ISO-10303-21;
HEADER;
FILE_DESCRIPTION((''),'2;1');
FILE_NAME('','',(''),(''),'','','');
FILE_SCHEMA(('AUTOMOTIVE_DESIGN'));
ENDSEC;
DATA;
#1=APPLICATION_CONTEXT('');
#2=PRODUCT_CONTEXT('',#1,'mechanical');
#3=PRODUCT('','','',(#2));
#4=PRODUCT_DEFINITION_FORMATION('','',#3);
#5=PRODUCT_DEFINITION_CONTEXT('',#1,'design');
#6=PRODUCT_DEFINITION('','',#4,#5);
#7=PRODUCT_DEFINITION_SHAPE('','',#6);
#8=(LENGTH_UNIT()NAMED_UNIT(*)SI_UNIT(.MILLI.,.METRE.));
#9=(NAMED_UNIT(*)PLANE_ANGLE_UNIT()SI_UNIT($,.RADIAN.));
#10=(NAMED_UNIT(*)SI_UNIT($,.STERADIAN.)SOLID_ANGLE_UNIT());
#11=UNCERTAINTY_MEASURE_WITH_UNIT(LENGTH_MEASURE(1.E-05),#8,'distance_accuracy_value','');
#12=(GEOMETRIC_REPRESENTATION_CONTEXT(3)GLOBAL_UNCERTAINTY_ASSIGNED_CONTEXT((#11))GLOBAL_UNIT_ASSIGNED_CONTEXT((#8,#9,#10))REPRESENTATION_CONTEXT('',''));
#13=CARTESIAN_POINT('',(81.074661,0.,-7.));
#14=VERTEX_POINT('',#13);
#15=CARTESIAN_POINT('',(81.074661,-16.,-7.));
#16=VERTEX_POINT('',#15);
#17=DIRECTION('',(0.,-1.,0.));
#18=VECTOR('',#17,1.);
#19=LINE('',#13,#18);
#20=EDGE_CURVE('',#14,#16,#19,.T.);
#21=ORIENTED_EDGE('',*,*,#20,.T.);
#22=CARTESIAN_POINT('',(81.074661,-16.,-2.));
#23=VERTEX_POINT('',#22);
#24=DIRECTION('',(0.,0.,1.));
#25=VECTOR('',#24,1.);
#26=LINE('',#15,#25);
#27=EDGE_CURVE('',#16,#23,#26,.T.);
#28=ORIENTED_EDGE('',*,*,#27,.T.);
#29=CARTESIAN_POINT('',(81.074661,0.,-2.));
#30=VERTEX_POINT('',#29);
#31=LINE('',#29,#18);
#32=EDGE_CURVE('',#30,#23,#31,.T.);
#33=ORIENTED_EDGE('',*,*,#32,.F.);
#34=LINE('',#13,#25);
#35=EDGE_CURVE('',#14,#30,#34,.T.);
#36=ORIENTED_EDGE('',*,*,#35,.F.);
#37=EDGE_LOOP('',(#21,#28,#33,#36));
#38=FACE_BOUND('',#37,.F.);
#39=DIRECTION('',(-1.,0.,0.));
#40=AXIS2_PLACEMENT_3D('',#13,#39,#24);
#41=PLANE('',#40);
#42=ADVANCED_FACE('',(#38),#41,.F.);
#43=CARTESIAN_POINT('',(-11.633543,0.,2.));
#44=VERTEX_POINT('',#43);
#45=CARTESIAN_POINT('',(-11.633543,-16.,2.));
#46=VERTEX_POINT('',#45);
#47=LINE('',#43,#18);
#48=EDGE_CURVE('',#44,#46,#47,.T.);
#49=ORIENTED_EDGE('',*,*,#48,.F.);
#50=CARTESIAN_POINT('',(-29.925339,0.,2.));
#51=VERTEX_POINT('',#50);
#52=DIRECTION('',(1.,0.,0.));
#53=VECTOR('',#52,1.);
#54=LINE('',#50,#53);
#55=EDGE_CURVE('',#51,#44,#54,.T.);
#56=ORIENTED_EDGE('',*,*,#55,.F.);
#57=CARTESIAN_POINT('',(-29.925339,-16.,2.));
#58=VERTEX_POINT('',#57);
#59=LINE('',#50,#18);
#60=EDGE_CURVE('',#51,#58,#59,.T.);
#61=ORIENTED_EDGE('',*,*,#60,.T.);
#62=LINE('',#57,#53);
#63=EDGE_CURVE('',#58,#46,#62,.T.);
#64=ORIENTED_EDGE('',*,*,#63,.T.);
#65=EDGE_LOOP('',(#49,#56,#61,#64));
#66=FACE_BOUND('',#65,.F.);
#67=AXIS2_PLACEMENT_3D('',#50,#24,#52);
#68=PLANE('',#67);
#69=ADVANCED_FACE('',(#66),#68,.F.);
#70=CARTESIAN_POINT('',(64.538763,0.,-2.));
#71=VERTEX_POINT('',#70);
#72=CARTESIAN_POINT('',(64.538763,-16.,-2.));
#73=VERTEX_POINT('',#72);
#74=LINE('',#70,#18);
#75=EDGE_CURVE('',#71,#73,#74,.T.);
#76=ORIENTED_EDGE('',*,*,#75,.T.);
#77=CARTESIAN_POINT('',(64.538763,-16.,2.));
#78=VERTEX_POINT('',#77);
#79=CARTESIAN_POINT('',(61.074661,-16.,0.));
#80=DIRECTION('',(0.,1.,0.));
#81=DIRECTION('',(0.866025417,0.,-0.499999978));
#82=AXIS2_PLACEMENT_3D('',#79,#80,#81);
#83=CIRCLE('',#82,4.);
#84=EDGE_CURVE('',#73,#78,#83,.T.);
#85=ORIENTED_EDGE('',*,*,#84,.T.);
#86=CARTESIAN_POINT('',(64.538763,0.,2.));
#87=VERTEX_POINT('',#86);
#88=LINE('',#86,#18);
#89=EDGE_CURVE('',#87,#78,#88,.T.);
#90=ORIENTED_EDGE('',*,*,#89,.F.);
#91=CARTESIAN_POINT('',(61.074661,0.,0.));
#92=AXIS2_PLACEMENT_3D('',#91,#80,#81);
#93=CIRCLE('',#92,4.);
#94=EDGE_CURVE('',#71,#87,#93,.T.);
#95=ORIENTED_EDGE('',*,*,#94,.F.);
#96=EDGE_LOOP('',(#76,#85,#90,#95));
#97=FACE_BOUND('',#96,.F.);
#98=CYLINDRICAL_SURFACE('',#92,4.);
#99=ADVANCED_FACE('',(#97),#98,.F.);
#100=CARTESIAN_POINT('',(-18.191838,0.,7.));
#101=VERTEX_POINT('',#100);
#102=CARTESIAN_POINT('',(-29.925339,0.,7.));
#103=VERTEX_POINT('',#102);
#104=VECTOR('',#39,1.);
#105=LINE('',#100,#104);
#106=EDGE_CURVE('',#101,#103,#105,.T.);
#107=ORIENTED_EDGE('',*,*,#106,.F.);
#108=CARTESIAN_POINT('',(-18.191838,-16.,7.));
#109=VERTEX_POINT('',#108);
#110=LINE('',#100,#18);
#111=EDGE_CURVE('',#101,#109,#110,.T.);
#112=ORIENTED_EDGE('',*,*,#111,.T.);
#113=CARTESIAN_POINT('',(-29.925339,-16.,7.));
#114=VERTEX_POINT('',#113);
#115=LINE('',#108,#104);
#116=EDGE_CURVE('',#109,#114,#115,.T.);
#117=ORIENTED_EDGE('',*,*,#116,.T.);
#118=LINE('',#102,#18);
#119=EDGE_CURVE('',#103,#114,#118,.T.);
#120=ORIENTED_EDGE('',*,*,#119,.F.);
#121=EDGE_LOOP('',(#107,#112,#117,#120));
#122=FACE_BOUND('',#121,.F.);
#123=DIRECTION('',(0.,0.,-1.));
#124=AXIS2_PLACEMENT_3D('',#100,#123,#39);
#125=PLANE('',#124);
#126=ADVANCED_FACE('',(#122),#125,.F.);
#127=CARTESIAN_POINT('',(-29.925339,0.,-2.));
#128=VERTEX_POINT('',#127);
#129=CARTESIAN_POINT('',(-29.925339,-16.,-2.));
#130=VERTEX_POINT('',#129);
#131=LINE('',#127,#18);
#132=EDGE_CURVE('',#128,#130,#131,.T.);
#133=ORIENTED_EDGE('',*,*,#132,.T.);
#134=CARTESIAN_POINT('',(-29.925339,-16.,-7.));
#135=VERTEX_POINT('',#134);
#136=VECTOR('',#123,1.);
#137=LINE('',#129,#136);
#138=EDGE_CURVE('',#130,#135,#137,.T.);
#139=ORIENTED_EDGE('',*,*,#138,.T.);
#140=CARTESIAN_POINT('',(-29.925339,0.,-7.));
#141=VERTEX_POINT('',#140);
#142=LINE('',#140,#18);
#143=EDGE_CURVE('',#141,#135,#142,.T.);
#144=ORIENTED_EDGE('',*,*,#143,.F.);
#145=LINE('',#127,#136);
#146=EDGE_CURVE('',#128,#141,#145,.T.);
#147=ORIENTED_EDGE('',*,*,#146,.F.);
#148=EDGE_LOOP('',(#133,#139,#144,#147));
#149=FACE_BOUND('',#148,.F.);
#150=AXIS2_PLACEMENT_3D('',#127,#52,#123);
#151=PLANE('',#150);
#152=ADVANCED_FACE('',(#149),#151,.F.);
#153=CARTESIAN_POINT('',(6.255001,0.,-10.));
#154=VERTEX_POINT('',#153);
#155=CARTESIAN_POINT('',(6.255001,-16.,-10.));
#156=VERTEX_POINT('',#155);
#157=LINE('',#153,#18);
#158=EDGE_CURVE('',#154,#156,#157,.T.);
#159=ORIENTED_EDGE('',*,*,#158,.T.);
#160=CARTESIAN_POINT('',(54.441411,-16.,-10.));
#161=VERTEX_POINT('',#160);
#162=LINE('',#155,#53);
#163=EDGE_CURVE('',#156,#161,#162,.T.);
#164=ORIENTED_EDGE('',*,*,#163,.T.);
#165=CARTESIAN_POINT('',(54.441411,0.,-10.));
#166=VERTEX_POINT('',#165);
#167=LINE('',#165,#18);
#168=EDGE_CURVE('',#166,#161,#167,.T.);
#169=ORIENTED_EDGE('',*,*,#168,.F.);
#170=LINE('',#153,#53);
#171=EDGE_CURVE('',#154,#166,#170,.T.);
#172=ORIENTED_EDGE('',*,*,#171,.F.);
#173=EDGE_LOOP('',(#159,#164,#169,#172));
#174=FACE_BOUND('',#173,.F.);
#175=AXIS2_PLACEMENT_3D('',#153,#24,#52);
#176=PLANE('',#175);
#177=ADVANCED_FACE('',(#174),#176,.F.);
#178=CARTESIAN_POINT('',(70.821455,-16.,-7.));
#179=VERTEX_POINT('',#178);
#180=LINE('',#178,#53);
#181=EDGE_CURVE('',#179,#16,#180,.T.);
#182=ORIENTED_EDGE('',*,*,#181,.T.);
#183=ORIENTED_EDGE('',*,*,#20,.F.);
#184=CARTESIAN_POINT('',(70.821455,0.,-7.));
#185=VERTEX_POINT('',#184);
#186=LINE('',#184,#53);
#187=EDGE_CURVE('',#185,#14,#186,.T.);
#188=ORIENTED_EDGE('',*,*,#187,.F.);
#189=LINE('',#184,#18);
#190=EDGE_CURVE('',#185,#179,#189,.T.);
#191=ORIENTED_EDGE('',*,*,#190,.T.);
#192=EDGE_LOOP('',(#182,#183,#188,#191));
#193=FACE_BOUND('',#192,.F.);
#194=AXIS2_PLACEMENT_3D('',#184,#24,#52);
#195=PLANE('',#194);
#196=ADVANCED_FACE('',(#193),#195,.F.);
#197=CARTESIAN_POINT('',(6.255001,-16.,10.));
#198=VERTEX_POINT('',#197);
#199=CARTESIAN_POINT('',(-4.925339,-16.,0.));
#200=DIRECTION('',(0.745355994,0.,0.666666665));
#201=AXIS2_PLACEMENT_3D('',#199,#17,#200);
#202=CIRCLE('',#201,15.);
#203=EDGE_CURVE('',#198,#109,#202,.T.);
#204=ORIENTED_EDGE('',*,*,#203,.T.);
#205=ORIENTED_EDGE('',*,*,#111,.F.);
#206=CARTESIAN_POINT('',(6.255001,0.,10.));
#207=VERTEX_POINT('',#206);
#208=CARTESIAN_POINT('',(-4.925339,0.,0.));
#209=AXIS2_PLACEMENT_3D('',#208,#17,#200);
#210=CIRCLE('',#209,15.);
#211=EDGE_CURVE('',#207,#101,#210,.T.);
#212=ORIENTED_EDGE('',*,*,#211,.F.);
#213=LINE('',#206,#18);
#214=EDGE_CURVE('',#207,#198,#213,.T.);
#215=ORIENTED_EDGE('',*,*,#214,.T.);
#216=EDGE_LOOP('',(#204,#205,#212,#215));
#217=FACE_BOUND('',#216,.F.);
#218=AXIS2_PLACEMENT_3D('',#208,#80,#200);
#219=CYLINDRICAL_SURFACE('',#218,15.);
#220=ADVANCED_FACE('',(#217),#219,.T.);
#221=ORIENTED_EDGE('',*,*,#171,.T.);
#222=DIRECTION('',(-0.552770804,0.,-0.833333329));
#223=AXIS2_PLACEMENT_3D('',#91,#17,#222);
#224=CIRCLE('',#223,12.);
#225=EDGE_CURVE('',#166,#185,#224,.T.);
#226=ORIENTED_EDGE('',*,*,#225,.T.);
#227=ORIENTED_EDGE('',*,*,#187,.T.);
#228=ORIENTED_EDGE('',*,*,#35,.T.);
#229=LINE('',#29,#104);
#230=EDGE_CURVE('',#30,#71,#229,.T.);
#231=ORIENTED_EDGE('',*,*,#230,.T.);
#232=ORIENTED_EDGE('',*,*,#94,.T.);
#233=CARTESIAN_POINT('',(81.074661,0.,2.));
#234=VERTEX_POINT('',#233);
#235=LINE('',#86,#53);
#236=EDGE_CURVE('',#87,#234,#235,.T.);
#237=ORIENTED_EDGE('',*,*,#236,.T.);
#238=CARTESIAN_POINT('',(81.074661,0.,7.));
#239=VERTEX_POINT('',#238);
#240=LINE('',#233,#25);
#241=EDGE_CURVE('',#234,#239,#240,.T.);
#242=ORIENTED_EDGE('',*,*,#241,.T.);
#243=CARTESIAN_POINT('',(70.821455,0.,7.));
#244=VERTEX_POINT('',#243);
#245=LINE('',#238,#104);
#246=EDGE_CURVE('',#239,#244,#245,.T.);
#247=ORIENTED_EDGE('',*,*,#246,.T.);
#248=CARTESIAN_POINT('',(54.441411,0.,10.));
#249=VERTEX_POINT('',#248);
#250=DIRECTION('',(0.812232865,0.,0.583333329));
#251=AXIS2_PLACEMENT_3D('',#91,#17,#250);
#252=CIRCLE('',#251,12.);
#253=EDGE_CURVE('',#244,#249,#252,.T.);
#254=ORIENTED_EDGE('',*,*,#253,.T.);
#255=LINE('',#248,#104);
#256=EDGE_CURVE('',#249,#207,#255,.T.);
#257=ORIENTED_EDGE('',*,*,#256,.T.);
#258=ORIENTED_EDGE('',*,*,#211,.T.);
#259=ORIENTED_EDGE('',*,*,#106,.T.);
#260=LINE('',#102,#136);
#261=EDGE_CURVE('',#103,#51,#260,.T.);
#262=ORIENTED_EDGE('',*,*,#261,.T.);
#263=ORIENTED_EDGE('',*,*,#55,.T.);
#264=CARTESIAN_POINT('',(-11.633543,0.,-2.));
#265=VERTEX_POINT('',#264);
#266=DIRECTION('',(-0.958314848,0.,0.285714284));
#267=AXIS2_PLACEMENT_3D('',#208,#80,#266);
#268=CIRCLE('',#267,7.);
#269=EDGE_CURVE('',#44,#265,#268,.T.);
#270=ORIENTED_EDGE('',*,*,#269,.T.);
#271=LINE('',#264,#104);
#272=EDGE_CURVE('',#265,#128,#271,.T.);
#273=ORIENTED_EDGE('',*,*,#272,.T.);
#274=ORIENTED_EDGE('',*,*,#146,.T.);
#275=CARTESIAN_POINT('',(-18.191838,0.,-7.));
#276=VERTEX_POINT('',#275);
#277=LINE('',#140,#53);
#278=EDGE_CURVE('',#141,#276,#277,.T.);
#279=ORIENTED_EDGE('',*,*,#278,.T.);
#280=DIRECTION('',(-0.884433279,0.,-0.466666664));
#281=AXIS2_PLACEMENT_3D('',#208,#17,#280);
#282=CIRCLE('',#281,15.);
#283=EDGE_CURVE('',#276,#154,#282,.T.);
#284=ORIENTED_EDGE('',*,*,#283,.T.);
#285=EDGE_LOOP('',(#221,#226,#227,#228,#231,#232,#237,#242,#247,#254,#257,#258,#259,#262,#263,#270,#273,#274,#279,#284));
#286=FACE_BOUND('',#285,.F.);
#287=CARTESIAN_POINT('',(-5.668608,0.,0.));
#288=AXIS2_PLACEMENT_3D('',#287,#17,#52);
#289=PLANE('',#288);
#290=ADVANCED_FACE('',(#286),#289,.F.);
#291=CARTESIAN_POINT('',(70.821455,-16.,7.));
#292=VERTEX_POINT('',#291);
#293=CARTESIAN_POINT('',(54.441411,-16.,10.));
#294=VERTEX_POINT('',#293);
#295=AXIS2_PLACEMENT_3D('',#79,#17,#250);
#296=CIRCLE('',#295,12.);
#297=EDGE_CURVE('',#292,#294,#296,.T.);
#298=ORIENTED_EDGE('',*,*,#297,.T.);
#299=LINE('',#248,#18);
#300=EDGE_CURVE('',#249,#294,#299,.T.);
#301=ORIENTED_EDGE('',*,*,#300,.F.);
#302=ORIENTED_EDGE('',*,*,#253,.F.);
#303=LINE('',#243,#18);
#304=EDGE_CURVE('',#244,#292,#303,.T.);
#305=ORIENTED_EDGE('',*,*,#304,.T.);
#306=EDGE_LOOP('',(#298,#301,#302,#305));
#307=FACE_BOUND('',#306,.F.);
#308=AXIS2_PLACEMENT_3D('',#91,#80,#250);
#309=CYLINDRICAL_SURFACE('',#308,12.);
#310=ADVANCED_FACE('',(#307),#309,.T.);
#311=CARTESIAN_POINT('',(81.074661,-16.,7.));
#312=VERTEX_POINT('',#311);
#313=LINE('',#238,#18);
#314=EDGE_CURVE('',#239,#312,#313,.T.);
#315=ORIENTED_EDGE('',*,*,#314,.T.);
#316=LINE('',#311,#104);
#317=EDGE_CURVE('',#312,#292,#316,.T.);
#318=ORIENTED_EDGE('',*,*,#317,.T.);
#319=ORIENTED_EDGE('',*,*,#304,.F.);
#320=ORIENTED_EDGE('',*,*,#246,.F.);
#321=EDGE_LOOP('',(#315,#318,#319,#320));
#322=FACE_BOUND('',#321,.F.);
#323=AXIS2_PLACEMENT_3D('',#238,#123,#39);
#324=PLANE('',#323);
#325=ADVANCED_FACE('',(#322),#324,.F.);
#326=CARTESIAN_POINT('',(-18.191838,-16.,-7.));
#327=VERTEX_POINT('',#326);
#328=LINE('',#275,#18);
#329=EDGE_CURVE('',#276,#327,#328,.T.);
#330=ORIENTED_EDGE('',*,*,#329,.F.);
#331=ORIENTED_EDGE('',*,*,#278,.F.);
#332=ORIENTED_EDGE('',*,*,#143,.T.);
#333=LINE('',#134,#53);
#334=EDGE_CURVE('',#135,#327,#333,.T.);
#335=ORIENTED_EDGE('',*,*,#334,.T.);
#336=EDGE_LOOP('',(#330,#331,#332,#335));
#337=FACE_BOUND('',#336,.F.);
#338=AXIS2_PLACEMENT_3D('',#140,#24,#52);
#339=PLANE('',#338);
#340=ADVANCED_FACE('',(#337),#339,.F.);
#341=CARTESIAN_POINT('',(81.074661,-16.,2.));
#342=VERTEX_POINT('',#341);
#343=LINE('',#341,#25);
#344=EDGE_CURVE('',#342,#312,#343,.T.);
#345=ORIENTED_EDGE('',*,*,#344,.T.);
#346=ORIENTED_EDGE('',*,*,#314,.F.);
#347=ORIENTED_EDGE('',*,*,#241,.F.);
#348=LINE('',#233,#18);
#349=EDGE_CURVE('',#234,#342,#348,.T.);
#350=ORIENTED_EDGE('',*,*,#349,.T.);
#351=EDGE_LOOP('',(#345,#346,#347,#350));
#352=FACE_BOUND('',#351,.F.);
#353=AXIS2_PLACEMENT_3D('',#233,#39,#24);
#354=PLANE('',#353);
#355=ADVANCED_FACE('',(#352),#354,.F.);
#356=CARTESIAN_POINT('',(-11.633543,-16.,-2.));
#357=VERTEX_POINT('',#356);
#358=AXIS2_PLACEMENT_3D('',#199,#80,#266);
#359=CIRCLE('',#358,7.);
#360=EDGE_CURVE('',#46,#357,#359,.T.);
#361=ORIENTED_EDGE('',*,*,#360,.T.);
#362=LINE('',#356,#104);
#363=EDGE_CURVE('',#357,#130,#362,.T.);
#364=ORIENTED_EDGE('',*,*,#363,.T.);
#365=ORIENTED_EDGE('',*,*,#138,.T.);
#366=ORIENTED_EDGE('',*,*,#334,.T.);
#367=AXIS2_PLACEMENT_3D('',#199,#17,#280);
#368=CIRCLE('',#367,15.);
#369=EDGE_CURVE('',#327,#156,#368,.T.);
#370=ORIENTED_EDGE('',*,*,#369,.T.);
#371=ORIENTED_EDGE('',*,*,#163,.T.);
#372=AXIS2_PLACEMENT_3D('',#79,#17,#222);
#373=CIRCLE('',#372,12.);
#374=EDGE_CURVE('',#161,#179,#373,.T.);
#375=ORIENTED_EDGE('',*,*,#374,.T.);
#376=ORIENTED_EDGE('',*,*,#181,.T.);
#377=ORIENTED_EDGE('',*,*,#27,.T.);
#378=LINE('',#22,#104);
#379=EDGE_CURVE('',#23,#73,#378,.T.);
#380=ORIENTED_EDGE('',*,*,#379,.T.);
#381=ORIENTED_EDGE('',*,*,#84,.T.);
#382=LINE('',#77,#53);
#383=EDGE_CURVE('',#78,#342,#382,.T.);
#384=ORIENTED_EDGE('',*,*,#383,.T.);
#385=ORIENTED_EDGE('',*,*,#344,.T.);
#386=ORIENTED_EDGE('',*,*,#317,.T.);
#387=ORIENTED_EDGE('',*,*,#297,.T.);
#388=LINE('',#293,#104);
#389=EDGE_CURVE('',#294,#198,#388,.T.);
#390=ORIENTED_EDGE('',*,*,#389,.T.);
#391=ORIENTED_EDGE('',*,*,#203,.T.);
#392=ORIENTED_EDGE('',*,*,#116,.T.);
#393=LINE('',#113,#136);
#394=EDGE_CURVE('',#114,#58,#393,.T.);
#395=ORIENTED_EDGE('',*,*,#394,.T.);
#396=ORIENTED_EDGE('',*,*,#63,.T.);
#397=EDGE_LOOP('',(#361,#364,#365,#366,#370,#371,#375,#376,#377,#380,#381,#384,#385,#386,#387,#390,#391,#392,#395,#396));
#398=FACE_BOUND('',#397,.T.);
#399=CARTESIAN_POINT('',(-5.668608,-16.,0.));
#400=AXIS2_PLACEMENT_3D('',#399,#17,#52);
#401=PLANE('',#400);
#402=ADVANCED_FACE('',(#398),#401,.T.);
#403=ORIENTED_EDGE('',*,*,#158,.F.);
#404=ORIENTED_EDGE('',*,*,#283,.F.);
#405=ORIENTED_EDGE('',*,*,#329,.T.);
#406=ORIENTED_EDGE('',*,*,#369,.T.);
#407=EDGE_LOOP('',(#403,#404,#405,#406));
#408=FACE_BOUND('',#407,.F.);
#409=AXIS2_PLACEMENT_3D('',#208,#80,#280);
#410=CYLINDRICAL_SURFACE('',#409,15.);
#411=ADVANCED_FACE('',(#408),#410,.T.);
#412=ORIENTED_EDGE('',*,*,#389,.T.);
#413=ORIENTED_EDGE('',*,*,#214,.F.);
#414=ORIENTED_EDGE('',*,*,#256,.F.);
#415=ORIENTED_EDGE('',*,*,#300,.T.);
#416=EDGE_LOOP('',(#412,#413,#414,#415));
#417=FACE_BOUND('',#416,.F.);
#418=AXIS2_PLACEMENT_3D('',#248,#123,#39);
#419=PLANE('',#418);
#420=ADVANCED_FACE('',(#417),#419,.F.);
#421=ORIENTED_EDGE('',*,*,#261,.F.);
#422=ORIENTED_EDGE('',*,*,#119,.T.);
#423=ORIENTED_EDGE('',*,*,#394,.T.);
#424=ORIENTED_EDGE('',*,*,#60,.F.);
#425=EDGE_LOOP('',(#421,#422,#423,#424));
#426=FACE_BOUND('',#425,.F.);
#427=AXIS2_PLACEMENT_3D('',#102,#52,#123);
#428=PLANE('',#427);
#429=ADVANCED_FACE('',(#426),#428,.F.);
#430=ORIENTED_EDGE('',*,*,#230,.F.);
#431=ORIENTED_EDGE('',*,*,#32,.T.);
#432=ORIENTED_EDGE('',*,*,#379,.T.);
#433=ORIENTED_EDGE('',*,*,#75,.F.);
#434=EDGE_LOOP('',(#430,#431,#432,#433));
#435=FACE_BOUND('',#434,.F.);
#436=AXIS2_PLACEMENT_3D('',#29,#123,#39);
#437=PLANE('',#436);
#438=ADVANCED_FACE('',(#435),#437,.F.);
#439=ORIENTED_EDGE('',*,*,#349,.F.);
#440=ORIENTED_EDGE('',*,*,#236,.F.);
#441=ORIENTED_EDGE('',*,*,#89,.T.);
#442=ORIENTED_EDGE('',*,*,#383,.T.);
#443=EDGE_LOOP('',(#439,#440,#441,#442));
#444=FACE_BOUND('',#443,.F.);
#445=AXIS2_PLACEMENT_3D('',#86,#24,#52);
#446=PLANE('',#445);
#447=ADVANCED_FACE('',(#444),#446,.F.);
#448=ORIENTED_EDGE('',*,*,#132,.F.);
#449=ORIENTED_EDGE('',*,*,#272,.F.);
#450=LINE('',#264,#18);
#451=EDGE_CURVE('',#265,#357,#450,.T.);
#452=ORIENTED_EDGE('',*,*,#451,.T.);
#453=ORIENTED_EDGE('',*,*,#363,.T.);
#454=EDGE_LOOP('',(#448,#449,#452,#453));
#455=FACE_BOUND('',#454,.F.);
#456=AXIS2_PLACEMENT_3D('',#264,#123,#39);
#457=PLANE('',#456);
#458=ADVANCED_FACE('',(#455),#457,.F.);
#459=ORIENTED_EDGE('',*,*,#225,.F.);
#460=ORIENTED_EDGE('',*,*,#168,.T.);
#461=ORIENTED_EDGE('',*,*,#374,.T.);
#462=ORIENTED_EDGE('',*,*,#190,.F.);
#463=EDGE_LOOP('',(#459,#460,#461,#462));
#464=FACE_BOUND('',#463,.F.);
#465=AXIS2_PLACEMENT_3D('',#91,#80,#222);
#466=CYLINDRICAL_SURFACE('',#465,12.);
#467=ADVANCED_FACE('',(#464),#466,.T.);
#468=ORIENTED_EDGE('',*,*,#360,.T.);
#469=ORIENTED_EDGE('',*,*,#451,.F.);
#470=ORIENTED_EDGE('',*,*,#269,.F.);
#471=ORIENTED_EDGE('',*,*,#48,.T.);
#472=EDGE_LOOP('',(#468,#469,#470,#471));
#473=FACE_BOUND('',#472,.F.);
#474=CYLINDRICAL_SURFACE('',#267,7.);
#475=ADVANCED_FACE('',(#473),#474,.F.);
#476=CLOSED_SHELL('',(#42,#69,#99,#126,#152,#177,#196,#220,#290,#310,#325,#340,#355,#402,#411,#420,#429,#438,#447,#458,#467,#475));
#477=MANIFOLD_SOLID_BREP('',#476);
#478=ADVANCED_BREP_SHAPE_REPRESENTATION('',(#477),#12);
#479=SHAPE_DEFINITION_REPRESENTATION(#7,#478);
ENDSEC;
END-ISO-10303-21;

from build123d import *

# Parameters (mm, degrees)
F1_DEPTH = 16


with BuildPart() as f1:
    # F0 (on Front) → F1 (new body)
    with BuildSketch(Plane.XZ):
        with BuildLine():
            ThreePointArc((-11.633543, 2), (2.074661, 0), (-11.633543, -2))
            Line((-11.633543, -2), (-19.791408, -2))
            ThreePointArc((-19.791408, -2), (-19.212058, -4.57052), (-18.191838, -7))
            ThreePointArc((-18.191838, -7), (-6.752363, -14.888317), (6.255001, -10))
            ThreePointArc((6.255001, -10), (10.074661, 0), (6.255001, 10))
            ThreePointArc((6.255001, 10), (-6.752363, 14.888317), (-18.191838, 7))
            ThreePointArc((-18.191838, 7), (-19.212058, 4.57052), (-19.791408, 2))
            Line((-19.791408, 2), (-11.633543, 2))
        make_face()
        with BuildLine():
            ThreePointArc((-18.191838, -7), (-19.212058, -4.57052), (-19.791408, -2))
            Line((-19.791408, -2), (-29.925339, -2))
            Line((-29.925339, -2), (-29.925339, -7))
            Line((-29.925339, -7), (-18.191838, -7))
        make_face()
        with BuildLine():
            Line((-29.925339, 2), (-19.791408, 2))
            ThreePointArc((-19.791408, 2), (-19.212058, 4.57052), (-18.191838, 7))
            Line((-18.191838, 7), (-29.925339, 7))
            Line((-29.925339, 7), (-29.925339, 2))
        make_face()
        with BuildLine():
            ThreePointArc((6.255001, 10), (10.074661, 0), (6.255001, -10))
            Line((6.255001, -10), (54.441411, -10))
            ThreePointArc((54.441411, -10), (49.074661, 0), (54.441411, 10))
            Line((54.441411, 10), (6.255001, 10))
        make_face()
        with BuildLine():
            ThreePointArc((54.441411, 10), (49.074661, 0), (54.441411, -10))
            ThreePointArc((54.441411, -10), (63.236498, -11.803663), (70.821455, -7))
            ThreePointArc((70.821455, -7), (72.149986, -4.619219), (72.906821, -2))
            Line((72.906821, -2), (64.538763, -2))
            ThreePointArc((64.538763, -2), (57.074661, 0), (64.538763, 2))
            Line((64.538763, 2), (72.906821, 2))
            ThreePointArc((72.906821, 2), (72.149986, 4.619219), (70.821455, 7))
            ThreePointArc((70.821455, 7), (63.236498, 11.803663), (54.441411, 10))
        make_face()
        with BuildLine():
            ThreePointArc((72.906821, -2), (72.149986, -4.619219), (70.821455, -7))
            Line((70.821455, -7), (81.074661, -7))
            Line((81.074661, -7), (81.074661, -2))
            Line((81.074661, -2), (72.906821, -2))
        make_face()
        with BuildLine():
            Line((81.074661, 7), (70.821455, 7))
            ThreePointArc((70.821455, 7), (72.149986, 4.619219), (72.906821, 2))
            Line((72.906821, 2), (81.074661, 2))
            Line((81.074661, 2), (81.074661, 7))
        make_face()
    extrude(amount=F1_DEPTH)


solid = f1.part
